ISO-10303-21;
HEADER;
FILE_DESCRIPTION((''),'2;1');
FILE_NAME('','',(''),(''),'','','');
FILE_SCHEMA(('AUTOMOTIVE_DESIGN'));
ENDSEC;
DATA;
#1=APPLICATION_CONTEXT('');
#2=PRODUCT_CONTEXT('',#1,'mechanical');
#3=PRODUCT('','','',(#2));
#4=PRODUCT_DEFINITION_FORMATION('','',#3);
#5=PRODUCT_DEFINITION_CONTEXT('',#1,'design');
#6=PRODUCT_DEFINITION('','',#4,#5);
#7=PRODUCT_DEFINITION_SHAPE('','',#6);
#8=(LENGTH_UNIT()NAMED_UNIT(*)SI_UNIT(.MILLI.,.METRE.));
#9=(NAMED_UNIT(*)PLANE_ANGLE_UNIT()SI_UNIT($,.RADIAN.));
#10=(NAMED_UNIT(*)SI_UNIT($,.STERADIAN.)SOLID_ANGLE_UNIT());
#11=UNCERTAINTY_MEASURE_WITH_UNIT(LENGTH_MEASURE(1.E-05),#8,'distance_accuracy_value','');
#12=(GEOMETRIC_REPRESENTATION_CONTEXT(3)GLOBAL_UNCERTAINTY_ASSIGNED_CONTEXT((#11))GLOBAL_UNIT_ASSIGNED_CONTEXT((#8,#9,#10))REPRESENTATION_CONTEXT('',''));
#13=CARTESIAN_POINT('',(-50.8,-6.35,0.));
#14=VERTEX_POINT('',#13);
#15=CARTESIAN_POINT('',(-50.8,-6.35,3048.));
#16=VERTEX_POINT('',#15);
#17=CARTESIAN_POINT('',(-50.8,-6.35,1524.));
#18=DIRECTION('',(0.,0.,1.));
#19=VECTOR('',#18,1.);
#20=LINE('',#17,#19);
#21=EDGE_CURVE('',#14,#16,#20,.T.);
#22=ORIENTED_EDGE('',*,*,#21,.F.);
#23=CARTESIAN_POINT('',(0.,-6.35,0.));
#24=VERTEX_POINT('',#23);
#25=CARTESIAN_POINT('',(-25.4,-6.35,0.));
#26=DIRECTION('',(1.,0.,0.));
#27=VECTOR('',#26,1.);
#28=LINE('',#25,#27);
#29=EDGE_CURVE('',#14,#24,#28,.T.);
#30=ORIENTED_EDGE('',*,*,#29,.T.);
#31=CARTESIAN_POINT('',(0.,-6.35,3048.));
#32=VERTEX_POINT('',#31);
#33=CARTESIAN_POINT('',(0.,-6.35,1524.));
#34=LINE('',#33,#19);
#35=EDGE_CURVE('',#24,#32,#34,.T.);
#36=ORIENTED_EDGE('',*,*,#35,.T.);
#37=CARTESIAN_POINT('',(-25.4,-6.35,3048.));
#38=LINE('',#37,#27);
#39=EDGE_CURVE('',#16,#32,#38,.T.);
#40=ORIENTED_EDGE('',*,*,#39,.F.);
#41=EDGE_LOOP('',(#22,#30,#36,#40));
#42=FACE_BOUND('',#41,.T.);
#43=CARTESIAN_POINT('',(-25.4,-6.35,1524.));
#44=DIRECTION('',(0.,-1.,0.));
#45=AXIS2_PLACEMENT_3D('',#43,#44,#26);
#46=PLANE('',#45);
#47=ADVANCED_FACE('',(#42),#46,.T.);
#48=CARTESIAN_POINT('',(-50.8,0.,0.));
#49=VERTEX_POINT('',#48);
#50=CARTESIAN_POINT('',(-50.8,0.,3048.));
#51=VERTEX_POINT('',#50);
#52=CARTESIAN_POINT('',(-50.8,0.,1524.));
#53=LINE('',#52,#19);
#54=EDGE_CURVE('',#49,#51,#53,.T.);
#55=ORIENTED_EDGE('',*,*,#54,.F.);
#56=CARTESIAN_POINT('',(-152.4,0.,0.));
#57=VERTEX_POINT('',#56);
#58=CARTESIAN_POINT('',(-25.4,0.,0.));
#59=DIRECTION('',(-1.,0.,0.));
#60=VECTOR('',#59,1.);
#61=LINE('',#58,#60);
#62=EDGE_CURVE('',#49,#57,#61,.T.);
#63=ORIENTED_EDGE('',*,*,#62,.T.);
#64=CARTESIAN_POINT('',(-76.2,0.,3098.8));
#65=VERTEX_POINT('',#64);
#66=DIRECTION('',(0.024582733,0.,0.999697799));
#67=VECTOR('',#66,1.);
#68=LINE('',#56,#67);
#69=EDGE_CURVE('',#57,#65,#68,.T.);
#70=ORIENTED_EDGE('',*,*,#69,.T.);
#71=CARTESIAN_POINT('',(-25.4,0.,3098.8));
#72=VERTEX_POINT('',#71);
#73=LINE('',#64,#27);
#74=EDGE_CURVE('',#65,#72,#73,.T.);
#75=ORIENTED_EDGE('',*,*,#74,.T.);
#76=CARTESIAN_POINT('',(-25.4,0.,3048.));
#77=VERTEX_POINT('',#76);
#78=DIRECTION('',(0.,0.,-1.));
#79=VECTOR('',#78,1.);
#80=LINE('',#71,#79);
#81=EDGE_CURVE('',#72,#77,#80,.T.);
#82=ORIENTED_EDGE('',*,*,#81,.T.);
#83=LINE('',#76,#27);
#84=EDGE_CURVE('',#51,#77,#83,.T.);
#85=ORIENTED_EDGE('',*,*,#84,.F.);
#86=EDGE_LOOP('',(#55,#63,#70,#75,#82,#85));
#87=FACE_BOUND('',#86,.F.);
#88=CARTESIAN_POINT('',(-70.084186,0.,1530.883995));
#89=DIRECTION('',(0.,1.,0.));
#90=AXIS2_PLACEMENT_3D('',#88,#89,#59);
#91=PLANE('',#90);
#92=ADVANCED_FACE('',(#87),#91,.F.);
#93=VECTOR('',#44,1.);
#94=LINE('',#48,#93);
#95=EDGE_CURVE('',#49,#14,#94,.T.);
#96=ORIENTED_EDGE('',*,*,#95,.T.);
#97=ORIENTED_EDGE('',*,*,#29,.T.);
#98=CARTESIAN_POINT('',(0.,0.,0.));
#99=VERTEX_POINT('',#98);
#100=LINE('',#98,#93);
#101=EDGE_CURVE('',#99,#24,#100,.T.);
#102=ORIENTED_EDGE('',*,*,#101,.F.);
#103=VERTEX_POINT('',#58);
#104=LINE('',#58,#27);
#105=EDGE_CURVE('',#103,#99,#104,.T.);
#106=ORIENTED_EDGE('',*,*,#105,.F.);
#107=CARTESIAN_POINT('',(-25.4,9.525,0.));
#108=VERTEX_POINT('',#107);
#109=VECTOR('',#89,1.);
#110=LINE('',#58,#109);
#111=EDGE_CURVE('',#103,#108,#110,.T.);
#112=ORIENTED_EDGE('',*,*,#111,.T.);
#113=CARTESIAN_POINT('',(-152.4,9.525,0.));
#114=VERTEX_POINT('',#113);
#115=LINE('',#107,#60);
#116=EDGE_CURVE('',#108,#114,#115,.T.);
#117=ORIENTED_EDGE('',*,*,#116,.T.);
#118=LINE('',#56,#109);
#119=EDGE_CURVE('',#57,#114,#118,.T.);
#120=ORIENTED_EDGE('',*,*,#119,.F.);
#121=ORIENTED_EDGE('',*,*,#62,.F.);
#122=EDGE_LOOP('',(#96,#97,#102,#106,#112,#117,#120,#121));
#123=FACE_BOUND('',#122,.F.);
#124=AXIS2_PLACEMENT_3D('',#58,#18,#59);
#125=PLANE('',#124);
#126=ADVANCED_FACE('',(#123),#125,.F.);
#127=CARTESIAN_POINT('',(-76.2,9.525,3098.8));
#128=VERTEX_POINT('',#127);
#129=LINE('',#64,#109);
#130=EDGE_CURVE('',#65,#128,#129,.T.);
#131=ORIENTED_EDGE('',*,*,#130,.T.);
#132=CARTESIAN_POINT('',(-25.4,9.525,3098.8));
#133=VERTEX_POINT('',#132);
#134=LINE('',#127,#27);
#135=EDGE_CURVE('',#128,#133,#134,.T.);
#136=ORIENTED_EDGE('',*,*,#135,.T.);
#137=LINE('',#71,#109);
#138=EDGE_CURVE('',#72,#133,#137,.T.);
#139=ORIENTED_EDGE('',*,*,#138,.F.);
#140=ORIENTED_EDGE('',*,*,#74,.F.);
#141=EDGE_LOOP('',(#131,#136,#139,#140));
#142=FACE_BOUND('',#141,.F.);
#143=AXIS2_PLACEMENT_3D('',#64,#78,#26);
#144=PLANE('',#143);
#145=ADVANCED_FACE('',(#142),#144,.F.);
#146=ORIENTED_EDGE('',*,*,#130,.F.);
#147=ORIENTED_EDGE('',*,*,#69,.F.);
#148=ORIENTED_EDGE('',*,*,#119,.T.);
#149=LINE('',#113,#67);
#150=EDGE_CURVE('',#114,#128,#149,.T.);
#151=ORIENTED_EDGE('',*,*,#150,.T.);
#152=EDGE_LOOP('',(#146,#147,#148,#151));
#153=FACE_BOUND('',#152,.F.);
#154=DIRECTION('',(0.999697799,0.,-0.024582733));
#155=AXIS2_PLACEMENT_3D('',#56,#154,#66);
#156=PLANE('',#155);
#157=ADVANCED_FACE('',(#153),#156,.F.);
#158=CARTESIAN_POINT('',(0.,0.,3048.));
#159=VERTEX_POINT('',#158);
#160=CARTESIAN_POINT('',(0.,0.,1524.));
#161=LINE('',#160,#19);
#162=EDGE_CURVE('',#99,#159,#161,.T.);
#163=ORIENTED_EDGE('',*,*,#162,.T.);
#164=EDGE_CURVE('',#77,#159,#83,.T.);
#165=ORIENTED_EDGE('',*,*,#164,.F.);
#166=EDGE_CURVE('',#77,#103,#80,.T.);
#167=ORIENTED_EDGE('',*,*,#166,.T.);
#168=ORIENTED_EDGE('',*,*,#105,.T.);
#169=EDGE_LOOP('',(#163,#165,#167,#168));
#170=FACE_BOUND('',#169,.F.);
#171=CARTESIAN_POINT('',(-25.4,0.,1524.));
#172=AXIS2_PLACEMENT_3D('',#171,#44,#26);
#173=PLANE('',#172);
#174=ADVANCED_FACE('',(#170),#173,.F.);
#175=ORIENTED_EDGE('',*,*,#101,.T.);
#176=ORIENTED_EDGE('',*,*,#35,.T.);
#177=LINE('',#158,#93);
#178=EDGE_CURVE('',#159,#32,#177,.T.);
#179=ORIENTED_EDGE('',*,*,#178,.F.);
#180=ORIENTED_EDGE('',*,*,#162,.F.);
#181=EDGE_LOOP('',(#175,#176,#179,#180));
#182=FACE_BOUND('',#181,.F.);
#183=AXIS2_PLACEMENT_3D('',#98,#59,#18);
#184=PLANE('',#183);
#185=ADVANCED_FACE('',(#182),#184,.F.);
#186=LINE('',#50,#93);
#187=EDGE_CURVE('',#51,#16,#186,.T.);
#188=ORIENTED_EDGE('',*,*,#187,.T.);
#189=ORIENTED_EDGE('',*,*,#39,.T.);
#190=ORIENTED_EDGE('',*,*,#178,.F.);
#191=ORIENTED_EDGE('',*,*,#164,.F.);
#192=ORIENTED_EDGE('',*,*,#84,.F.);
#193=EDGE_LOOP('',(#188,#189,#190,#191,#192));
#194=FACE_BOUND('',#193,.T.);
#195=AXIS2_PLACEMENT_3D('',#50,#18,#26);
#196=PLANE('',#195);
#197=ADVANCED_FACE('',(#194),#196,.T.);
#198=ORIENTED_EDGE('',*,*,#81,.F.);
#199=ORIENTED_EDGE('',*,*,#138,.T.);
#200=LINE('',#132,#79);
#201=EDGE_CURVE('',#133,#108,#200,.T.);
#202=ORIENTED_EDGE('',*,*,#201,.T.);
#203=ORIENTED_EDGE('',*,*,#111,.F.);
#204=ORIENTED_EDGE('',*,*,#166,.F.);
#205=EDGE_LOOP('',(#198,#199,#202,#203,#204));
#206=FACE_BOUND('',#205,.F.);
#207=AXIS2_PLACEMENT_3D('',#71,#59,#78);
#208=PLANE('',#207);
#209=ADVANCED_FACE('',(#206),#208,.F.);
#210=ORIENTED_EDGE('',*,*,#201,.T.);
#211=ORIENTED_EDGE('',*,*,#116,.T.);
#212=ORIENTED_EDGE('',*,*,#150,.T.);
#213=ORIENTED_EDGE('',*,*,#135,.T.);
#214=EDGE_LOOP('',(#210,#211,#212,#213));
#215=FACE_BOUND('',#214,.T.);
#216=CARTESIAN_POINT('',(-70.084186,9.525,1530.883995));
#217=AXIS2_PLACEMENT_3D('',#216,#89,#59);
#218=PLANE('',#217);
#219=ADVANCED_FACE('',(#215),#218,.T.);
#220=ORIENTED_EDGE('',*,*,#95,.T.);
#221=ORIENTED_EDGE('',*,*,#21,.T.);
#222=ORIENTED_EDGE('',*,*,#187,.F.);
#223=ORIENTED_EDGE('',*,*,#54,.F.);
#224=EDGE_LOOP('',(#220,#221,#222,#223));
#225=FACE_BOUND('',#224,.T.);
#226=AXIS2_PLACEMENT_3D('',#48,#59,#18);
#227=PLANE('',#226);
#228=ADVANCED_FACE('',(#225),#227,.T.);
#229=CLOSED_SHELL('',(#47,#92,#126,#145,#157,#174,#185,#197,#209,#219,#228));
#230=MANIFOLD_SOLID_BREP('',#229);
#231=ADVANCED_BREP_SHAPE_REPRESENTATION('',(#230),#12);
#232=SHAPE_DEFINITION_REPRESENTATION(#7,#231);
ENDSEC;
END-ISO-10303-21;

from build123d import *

# Parameters (mm, degrees)
F0_W     = 50.8
F0_H     = 3048
F1_DEPTH = 6.35
F3_DEPTH = 9.525


with BuildPart() as f1:
    # F0 (on Front) → F1 (new body)
    with BuildSketch(Plane.XZ):
        with Locations((-25.4, 1524)):
            Rectangle(F0_W, F0_H)
    extrude(amount=F1_DEPTH)

    # F2 (on face) → F3 (join)
    with BuildSketch(Plane(origin=(0, 0, 0), x_dir=(-1, 0, 0), z_dir=(0, 1, 0))):
        Polygon((152.4, 0), (76.2, 3098.8), (25.4, 3098.8), (25.4, 0), align=None)
    extrude(amount=F3_DEPTH)


solid = f1.part
